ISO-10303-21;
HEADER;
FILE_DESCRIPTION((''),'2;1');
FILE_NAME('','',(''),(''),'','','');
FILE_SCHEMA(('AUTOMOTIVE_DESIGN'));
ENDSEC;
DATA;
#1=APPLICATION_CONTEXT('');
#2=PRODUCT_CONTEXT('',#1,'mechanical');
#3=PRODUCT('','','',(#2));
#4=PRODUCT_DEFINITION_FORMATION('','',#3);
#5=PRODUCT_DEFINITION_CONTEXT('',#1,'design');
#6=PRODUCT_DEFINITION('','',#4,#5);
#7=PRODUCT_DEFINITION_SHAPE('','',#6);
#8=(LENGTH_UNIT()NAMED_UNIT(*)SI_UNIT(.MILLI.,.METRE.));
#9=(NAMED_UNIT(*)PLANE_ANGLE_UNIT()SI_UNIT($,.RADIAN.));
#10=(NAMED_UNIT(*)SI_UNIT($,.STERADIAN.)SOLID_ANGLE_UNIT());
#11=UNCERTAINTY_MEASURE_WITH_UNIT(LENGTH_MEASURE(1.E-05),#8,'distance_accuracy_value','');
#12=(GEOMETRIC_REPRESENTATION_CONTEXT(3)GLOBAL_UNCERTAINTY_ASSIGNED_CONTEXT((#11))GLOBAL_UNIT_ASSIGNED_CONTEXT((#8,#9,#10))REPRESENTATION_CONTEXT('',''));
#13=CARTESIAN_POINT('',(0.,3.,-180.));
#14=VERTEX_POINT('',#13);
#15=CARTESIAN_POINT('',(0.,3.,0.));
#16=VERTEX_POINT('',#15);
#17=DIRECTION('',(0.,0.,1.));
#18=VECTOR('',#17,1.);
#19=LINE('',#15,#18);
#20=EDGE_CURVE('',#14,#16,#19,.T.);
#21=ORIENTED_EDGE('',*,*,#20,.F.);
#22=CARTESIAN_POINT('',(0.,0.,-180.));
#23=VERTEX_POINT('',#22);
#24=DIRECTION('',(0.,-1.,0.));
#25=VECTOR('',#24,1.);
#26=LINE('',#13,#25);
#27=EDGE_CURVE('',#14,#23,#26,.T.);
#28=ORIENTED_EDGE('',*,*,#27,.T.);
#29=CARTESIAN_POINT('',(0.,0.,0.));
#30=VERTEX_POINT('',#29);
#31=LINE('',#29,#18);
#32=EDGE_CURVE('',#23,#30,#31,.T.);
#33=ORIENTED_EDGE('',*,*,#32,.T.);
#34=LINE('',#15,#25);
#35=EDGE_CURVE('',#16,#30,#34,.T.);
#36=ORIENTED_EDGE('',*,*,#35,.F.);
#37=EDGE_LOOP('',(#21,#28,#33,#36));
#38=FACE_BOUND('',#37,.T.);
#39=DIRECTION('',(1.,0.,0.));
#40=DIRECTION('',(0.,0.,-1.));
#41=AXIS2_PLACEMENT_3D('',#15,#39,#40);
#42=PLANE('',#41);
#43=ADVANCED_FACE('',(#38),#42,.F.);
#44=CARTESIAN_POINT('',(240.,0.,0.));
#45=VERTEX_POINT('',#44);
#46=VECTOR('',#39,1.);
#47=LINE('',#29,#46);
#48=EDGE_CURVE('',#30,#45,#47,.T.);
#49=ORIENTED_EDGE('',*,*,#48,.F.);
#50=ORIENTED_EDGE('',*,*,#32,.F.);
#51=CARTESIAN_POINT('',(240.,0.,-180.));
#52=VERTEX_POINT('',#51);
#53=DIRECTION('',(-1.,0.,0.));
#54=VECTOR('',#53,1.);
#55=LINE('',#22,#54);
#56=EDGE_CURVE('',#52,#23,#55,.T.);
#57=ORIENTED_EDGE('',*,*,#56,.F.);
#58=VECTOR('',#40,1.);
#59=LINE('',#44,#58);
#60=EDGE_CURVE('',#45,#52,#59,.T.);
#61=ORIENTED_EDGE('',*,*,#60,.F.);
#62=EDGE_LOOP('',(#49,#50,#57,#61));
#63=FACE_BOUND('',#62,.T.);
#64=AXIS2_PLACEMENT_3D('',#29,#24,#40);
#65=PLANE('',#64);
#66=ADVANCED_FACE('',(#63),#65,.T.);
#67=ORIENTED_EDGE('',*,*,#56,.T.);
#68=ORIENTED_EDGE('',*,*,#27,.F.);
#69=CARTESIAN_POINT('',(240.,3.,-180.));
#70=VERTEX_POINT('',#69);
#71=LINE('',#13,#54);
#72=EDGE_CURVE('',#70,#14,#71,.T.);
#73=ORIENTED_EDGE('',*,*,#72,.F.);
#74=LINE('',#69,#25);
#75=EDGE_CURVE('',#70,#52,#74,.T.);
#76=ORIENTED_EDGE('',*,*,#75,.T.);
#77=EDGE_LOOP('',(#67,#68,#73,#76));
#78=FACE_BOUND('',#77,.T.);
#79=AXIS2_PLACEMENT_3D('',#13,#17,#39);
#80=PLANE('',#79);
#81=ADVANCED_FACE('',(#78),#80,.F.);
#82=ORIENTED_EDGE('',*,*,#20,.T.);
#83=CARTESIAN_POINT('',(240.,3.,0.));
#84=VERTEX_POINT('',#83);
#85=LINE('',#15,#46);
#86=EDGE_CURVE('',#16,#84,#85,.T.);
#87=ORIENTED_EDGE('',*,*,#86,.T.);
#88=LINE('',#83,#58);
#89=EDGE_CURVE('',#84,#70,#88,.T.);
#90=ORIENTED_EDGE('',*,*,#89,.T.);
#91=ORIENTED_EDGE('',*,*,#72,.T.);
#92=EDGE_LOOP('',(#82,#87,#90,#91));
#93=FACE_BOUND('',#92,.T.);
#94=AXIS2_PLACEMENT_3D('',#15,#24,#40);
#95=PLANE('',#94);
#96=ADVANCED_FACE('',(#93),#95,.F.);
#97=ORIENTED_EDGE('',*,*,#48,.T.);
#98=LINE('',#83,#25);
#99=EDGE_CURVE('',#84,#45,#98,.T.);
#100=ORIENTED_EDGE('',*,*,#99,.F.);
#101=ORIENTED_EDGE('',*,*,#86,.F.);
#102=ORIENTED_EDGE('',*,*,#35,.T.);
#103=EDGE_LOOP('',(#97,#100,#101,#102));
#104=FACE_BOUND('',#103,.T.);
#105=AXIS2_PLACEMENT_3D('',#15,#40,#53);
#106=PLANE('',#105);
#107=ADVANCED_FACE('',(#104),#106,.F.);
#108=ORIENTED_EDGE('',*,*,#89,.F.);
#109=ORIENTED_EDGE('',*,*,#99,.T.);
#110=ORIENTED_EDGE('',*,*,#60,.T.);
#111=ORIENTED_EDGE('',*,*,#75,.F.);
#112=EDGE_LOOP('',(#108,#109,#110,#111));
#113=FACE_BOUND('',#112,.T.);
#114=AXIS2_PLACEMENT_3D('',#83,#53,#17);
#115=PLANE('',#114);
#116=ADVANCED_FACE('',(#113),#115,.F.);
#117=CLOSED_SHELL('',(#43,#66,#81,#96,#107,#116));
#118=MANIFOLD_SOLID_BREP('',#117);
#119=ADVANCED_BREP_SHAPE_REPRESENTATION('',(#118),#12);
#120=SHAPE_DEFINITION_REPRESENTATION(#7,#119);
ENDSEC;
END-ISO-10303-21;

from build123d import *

# Parameters (mm, degrees)
ESQUISSE1_W        = 240
ESQUISSE1_H        = 180
BOSS_EXTRU_1_DEPTH = 3


with BuildPart() as part:
    # Esquisse1 → Boss.-Extru.1 (new body)
    with BuildSketch(Plane(origin=(0, 0, 0), x_dir=(1, 0, 0), z_dir=(0, 1, 0))):
        with Locations((120, 90)):
            Rectangle(ESQUISSE1_W, ESQUISSE1_H)
    extrude(amount=BOSS_EXTRU_1_DEPTH)


solid = part.part
